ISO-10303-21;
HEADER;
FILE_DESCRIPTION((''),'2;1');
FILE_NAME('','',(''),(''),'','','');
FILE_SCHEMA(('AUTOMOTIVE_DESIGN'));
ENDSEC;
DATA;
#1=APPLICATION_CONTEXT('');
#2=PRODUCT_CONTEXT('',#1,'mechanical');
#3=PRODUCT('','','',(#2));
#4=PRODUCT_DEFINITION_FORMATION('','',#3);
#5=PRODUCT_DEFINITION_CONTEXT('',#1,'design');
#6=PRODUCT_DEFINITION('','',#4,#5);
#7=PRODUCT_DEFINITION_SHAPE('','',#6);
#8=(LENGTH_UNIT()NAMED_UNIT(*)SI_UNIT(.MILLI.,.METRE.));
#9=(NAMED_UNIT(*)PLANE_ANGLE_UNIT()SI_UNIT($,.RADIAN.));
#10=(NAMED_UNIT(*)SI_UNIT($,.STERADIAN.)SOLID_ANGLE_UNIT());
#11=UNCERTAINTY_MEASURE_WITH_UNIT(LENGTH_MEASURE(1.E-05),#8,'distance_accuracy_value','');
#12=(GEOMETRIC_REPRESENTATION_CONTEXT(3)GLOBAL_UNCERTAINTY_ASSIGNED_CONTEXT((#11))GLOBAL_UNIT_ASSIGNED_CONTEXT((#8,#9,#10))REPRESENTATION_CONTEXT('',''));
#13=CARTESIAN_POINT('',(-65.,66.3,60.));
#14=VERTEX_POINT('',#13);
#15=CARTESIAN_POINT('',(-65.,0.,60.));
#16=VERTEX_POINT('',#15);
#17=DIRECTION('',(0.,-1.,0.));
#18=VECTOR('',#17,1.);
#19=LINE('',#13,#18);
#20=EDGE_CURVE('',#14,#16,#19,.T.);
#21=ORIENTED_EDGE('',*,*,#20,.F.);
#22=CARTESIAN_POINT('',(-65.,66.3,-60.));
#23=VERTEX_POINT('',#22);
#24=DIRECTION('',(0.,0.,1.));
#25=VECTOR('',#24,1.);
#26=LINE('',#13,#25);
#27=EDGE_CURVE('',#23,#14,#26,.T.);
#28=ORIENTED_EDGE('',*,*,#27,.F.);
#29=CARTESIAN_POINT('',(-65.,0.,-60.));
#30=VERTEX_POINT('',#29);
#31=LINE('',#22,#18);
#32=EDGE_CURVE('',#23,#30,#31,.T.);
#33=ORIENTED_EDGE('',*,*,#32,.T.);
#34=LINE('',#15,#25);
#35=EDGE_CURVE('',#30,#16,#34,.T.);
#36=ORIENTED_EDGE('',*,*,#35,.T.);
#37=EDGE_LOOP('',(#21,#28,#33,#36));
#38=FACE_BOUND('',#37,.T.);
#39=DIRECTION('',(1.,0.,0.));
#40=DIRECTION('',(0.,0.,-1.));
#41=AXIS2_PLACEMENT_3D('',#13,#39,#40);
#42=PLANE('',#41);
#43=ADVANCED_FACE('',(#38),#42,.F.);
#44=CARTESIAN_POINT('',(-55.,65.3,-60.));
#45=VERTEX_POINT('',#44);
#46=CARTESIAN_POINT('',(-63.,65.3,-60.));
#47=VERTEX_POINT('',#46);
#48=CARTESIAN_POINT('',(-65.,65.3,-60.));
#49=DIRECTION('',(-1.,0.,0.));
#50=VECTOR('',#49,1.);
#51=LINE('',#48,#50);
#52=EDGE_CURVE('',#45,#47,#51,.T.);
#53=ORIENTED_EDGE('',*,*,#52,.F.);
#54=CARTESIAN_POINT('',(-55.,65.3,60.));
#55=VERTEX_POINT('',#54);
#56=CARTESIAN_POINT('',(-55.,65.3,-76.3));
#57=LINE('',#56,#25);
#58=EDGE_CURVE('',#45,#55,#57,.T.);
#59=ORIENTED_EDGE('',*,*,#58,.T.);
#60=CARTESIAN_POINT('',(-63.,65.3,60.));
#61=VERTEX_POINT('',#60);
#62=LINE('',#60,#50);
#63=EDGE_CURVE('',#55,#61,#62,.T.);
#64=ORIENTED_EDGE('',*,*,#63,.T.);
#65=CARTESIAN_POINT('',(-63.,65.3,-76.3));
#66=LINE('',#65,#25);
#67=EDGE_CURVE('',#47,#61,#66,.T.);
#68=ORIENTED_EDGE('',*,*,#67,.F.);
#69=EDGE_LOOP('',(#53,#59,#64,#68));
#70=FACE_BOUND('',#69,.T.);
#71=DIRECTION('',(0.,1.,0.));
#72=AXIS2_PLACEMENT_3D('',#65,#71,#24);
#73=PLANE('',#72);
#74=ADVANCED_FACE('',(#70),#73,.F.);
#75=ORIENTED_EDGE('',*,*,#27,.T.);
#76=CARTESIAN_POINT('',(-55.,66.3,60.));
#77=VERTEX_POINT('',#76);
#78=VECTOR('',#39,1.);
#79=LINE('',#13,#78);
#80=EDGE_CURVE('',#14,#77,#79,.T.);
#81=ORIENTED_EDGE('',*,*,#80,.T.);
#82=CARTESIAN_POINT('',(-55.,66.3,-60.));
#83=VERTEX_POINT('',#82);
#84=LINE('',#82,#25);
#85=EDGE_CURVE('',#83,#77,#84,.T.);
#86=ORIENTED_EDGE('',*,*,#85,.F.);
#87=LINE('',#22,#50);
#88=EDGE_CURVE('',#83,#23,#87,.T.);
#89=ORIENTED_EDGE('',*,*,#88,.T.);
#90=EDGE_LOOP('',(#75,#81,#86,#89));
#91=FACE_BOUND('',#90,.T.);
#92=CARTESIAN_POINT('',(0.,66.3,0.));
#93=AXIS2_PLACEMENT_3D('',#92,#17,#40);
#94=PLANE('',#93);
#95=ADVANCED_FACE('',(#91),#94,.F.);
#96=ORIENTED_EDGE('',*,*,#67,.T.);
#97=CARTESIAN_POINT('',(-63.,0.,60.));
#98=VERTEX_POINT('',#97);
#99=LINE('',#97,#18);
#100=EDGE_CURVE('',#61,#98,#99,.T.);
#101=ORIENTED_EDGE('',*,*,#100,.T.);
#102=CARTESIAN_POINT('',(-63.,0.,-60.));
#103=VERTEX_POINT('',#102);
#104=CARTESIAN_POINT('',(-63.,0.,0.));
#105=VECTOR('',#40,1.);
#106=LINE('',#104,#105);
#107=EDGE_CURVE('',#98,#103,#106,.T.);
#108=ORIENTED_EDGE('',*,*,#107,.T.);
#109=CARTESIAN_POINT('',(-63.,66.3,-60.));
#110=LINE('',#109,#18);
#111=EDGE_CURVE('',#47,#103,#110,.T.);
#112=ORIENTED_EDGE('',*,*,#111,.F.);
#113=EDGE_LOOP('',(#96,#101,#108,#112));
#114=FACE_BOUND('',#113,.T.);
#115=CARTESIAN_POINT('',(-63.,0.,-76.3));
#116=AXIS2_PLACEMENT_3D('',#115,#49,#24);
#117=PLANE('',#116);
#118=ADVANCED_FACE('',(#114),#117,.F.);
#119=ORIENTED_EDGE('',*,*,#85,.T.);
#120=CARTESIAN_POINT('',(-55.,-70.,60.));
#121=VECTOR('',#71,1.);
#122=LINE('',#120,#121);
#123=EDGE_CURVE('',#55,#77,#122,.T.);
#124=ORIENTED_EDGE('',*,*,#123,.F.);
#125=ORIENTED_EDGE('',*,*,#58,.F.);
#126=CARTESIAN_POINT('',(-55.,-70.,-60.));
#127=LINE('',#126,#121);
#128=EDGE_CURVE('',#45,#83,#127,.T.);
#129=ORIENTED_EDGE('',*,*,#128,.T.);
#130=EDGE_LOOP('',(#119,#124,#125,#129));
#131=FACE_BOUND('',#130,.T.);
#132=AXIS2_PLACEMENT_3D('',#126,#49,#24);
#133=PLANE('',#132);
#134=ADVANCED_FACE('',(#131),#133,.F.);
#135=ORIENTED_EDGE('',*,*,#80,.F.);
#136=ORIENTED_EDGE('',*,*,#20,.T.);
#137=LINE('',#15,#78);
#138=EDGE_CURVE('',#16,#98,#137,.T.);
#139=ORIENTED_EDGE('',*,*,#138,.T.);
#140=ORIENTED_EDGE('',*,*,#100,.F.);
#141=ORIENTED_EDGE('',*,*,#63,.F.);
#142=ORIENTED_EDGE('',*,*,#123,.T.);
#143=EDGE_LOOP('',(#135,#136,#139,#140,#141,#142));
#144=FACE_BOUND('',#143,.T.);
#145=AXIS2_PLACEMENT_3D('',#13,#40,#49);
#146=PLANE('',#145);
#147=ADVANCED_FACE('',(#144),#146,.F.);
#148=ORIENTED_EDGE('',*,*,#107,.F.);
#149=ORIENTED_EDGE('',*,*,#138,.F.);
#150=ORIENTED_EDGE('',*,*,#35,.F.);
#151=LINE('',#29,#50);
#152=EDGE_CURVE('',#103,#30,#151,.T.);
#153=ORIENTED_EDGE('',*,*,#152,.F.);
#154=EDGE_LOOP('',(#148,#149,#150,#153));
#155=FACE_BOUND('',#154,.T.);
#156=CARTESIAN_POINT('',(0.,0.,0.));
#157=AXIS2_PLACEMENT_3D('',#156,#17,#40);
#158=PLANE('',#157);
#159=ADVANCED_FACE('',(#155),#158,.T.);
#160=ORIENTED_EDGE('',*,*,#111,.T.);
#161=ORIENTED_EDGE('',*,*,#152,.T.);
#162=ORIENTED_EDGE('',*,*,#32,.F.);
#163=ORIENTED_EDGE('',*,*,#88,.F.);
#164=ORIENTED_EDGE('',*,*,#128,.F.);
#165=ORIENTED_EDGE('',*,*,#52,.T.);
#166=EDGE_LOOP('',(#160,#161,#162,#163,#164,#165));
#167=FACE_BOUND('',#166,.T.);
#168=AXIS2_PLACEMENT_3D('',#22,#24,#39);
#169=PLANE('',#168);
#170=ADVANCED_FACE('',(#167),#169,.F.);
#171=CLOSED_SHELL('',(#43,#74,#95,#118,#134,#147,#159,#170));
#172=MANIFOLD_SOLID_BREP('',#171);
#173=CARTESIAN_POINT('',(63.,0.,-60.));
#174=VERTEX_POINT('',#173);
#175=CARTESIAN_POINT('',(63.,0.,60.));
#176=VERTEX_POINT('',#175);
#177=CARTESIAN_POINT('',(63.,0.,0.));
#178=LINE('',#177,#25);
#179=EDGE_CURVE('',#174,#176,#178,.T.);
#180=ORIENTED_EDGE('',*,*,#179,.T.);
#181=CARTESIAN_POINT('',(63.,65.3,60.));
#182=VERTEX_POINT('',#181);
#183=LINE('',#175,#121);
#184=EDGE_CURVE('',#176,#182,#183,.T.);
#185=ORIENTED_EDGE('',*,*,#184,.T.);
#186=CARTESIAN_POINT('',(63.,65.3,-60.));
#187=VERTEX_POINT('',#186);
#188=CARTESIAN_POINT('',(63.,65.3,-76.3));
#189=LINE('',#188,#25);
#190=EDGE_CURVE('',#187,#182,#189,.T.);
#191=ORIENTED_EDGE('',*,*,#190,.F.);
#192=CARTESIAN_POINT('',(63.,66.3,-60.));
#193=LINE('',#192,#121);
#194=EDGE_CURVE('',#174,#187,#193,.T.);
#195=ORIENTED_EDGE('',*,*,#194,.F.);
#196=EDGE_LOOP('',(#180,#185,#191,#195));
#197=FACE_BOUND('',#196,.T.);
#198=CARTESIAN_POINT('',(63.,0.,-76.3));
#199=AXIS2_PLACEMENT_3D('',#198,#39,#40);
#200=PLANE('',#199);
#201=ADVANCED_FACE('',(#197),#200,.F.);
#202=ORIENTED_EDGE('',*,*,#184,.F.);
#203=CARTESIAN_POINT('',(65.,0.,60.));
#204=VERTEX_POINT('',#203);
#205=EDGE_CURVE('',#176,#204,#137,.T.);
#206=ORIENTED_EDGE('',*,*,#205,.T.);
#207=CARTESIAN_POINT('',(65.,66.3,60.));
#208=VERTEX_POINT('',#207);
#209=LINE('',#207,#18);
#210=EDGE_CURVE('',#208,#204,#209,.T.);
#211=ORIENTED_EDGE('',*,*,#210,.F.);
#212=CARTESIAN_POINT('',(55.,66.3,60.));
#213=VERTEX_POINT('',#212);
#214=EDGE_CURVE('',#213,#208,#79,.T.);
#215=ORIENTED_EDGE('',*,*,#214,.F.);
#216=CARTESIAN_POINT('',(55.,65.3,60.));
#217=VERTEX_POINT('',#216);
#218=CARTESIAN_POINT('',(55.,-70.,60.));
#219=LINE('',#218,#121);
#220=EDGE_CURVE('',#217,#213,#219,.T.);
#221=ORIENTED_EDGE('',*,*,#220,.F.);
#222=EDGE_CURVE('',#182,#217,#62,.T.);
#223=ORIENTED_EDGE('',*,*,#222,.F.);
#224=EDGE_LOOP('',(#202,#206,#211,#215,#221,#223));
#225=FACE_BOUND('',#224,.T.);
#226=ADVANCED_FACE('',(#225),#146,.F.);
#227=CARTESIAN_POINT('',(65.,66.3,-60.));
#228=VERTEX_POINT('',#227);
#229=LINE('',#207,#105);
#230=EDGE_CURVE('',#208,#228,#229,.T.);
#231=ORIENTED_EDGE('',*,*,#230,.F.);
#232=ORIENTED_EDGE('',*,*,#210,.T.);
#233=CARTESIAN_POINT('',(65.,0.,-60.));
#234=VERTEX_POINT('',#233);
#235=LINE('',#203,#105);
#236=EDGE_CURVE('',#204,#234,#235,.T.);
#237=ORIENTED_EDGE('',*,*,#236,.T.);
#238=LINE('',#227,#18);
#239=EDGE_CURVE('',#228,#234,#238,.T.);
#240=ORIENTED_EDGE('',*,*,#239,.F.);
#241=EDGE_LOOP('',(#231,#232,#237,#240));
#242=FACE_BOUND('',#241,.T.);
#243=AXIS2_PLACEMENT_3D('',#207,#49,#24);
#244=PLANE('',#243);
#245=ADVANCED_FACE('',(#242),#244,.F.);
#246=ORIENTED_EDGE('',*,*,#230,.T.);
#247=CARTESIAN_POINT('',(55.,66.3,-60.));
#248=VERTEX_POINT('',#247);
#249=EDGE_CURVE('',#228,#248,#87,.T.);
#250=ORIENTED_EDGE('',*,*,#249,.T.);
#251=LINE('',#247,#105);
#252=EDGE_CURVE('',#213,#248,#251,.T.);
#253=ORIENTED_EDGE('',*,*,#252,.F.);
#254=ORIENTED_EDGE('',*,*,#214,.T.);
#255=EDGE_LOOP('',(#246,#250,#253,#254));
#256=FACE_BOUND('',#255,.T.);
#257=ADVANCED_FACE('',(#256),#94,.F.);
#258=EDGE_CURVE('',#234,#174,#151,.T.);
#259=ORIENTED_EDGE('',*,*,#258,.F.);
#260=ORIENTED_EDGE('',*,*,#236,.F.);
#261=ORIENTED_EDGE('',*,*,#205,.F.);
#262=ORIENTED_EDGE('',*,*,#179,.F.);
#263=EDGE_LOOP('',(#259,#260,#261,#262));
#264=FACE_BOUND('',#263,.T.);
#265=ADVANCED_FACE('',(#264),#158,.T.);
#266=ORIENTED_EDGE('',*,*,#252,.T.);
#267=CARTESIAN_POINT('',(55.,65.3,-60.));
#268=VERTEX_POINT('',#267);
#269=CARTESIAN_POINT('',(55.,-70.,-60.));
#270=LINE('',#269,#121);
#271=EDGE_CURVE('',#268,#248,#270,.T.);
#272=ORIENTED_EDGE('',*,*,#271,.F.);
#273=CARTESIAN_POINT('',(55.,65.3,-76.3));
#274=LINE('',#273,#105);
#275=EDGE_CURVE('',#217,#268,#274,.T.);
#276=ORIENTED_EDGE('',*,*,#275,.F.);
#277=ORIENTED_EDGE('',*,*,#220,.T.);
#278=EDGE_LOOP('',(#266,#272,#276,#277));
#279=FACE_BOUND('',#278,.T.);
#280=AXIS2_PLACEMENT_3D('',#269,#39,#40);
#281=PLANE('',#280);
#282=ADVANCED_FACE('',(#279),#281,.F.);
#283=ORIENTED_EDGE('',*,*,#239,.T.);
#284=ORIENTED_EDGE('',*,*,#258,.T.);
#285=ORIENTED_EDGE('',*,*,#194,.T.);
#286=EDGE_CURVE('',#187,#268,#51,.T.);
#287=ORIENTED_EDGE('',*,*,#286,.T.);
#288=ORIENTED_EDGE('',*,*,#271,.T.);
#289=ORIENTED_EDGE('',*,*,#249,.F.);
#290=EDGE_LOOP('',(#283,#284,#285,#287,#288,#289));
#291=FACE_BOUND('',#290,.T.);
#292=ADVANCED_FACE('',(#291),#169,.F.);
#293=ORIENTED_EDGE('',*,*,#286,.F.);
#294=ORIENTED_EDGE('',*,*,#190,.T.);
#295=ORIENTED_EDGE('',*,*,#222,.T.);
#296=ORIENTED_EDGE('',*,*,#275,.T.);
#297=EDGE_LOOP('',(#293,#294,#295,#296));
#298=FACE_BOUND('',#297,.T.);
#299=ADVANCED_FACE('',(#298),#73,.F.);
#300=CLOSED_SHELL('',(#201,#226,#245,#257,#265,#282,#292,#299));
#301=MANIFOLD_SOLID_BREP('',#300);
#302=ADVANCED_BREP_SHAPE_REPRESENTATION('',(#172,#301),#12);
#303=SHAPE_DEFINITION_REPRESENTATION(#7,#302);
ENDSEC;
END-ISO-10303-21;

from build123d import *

# Parameters (mm, degrees)
SKETCH_1_W          = 130
SKETCH_1_H          = 120
EXTRUDE_2_DEPTH     = 66.3
SKETCH_3_W          = 126
SKETCH_3_H          = 65.3
CUT_EXTRUDE_1_DEPTH = 136.3
SKETCH_4_W          = 110
SKETCH_4_H          = 120
CUT_EXTRUDE_2_DEPTH = 136.3


with BuildPart() as part:
    # 스케치1 → 보스-돌출2 (new body)
    with BuildSketch(Plane(origin=(0, 0, 0), x_dir=(1, 0, 0), z_dir=(0, 1, 0))):
        Rectangle(SKETCH_1_W, SKETCH_1_H)
    extrude(amount=EXTRUDE_2_DEPTH)

    # 스케치3 → 컷-돌출1 (cut)
    with BuildSketch(Plane.XY.offset(60)):
        with Locations((0, 32.65)):
            Rectangle(SKETCH_3_W, SKETCH_3_H)
    extrude(amount=-CUT_EXTRUDE_1_DEPTH, mode=Mode.SUBTRACT)

    # 스케치4 → 컷-돌출2 (cut)
    with BuildSketch(Plane(origin=(0, 66.3, 0), x_dir=(1, 0, 0), z_dir=(0, 1, 0))):
        Rectangle(SKETCH_4_W, SKETCH_4_H)
    extrude(amount=-CUT_EXTRUDE_2_DEPTH, mode=Mode.SUBTRACT)


with BuildPart() as cut_extrude_2_piece_1:
    # of the separate pieces the step leaves, piece 1, a body of its own (cut_extrude_2_pieces)
    add(part.part.solids().sort_by_distance((-65, 0, 60))[0])


with BuildPart() as cut_extrude_2_piece_2:
    # of the separate pieces the step leaves, piece 2, a body of its own (cut_extrude_2_pieces)
    add(part.part.solids().sort_by_distance((55, 66.3, 60))[0])


solid = Compound([cut_extrude_2_piece_1.part, cut_extrude_2_piece_2.part])
